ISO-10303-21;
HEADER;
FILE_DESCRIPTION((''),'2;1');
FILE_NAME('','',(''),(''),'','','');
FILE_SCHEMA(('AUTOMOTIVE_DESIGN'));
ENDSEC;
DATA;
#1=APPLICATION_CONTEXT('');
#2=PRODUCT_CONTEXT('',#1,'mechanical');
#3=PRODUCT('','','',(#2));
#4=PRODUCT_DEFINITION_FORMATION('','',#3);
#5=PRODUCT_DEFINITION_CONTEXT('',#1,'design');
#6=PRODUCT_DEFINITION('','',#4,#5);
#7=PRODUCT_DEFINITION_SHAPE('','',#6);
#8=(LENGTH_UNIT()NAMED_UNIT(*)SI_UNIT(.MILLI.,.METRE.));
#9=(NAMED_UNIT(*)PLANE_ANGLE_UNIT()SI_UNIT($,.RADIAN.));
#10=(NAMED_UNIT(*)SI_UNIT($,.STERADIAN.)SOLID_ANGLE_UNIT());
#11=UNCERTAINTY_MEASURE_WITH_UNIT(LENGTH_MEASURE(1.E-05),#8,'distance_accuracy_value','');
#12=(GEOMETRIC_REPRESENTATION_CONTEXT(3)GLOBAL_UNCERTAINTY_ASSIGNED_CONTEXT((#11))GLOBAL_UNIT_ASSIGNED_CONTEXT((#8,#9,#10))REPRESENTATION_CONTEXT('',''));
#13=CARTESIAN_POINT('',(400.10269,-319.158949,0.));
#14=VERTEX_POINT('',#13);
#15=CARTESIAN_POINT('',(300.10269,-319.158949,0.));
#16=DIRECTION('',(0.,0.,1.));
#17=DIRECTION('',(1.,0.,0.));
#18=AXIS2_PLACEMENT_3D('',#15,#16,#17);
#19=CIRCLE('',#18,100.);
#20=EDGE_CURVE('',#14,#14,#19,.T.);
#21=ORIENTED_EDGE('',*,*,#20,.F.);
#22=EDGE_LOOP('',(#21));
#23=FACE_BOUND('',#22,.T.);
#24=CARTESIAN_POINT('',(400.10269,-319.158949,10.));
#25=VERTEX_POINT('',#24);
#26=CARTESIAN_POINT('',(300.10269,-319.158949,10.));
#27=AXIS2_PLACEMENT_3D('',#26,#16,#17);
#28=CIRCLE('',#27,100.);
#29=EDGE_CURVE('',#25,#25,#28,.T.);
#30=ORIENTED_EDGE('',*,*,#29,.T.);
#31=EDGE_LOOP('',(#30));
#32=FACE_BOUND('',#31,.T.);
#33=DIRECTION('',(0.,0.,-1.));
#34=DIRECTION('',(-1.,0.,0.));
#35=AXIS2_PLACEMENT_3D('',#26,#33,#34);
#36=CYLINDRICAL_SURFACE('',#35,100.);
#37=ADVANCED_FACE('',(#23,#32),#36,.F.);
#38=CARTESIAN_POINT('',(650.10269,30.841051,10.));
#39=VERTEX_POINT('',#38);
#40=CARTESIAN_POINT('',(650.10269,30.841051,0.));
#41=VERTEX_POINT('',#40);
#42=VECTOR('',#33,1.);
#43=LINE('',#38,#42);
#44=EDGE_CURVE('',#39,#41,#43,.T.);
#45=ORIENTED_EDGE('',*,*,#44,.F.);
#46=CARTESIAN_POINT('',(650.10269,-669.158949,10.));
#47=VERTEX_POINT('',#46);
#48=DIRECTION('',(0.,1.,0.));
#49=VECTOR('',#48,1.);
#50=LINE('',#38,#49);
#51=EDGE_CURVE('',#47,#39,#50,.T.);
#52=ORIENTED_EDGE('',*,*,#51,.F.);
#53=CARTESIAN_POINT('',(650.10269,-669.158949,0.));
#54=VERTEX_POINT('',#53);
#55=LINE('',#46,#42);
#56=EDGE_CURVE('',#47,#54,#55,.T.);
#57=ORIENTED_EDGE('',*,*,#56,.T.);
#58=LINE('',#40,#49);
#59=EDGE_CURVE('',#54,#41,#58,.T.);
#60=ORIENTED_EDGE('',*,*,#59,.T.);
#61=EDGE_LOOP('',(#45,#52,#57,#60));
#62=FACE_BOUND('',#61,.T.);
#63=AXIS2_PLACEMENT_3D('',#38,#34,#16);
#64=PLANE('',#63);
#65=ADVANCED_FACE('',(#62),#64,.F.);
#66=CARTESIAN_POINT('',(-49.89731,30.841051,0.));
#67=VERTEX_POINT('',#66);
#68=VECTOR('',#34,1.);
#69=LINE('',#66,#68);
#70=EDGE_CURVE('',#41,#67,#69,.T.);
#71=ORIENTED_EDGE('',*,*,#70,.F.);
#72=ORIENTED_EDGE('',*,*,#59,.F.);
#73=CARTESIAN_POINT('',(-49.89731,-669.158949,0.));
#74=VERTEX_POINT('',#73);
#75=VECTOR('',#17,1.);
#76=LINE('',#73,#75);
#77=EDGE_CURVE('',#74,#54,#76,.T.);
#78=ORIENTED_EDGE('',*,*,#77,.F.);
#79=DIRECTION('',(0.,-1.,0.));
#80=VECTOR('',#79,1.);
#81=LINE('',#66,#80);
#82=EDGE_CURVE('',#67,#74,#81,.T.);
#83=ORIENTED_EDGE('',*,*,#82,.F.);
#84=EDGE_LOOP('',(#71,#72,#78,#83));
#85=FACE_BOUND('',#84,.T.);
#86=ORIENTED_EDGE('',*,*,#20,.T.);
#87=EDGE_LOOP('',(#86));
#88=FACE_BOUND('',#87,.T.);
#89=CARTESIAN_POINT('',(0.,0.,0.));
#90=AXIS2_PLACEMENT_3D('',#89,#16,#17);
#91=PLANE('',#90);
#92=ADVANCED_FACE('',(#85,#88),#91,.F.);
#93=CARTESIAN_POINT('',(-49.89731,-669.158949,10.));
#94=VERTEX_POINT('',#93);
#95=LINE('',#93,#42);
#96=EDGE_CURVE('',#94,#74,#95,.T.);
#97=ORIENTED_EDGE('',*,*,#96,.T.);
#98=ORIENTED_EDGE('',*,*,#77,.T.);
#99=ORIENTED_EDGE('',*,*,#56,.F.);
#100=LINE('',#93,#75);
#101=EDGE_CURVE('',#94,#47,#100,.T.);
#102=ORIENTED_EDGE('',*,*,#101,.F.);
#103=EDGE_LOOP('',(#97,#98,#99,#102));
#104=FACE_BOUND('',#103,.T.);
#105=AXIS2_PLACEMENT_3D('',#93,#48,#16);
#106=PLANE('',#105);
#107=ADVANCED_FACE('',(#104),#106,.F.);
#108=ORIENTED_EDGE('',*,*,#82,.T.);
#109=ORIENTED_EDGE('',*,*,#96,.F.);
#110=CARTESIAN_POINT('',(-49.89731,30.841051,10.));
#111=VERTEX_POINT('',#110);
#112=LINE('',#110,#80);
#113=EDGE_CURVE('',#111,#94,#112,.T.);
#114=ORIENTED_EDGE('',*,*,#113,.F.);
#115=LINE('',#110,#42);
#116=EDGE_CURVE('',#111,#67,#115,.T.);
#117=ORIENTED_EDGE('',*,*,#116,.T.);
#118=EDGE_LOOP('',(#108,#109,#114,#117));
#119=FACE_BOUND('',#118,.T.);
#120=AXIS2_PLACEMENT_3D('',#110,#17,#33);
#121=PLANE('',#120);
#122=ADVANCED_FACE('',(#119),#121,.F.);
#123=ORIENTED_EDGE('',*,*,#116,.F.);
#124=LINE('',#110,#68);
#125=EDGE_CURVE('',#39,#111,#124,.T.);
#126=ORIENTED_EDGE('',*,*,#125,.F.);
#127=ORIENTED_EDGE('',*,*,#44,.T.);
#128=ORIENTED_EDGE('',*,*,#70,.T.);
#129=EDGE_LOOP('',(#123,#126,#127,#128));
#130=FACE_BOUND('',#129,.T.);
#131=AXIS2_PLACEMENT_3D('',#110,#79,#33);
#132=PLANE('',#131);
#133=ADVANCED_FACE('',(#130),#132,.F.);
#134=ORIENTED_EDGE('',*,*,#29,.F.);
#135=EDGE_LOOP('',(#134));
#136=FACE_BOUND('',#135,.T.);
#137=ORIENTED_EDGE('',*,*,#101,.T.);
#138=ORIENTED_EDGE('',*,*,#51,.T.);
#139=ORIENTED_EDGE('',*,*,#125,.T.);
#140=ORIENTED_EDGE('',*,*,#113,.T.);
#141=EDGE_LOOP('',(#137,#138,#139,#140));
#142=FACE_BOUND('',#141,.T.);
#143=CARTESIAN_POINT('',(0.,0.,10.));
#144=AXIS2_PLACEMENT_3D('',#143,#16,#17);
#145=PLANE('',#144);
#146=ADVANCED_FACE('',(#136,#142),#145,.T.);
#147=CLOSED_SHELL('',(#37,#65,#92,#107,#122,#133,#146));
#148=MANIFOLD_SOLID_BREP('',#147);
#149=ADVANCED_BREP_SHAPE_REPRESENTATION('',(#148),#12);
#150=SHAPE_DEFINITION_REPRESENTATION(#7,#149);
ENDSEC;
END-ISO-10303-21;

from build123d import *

# Parameters (mm, degrees)
SKETCH_1_W      = 700
SKETCH_1_H      = 700
SKETCH_1_R      = 100
EXTRUDE_1_DEPTH = 10


with BuildPart() as part:
    # 草图1 → 凸台-拉伸1 (new body)
    with BuildSketch(Plane.XY):
        with Locations((300.102689699, -319.158948909)):
            Rectangle(SKETCH_1_W, SKETCH_1_H)
        with Locations((300.102689699, -319.158948909)):
            Circle(SKETCH_1_R, mode=Mode.SUBTRACT)
    extrude(amount=EXTRUDE_1_DEPTH)


solid = part.part
